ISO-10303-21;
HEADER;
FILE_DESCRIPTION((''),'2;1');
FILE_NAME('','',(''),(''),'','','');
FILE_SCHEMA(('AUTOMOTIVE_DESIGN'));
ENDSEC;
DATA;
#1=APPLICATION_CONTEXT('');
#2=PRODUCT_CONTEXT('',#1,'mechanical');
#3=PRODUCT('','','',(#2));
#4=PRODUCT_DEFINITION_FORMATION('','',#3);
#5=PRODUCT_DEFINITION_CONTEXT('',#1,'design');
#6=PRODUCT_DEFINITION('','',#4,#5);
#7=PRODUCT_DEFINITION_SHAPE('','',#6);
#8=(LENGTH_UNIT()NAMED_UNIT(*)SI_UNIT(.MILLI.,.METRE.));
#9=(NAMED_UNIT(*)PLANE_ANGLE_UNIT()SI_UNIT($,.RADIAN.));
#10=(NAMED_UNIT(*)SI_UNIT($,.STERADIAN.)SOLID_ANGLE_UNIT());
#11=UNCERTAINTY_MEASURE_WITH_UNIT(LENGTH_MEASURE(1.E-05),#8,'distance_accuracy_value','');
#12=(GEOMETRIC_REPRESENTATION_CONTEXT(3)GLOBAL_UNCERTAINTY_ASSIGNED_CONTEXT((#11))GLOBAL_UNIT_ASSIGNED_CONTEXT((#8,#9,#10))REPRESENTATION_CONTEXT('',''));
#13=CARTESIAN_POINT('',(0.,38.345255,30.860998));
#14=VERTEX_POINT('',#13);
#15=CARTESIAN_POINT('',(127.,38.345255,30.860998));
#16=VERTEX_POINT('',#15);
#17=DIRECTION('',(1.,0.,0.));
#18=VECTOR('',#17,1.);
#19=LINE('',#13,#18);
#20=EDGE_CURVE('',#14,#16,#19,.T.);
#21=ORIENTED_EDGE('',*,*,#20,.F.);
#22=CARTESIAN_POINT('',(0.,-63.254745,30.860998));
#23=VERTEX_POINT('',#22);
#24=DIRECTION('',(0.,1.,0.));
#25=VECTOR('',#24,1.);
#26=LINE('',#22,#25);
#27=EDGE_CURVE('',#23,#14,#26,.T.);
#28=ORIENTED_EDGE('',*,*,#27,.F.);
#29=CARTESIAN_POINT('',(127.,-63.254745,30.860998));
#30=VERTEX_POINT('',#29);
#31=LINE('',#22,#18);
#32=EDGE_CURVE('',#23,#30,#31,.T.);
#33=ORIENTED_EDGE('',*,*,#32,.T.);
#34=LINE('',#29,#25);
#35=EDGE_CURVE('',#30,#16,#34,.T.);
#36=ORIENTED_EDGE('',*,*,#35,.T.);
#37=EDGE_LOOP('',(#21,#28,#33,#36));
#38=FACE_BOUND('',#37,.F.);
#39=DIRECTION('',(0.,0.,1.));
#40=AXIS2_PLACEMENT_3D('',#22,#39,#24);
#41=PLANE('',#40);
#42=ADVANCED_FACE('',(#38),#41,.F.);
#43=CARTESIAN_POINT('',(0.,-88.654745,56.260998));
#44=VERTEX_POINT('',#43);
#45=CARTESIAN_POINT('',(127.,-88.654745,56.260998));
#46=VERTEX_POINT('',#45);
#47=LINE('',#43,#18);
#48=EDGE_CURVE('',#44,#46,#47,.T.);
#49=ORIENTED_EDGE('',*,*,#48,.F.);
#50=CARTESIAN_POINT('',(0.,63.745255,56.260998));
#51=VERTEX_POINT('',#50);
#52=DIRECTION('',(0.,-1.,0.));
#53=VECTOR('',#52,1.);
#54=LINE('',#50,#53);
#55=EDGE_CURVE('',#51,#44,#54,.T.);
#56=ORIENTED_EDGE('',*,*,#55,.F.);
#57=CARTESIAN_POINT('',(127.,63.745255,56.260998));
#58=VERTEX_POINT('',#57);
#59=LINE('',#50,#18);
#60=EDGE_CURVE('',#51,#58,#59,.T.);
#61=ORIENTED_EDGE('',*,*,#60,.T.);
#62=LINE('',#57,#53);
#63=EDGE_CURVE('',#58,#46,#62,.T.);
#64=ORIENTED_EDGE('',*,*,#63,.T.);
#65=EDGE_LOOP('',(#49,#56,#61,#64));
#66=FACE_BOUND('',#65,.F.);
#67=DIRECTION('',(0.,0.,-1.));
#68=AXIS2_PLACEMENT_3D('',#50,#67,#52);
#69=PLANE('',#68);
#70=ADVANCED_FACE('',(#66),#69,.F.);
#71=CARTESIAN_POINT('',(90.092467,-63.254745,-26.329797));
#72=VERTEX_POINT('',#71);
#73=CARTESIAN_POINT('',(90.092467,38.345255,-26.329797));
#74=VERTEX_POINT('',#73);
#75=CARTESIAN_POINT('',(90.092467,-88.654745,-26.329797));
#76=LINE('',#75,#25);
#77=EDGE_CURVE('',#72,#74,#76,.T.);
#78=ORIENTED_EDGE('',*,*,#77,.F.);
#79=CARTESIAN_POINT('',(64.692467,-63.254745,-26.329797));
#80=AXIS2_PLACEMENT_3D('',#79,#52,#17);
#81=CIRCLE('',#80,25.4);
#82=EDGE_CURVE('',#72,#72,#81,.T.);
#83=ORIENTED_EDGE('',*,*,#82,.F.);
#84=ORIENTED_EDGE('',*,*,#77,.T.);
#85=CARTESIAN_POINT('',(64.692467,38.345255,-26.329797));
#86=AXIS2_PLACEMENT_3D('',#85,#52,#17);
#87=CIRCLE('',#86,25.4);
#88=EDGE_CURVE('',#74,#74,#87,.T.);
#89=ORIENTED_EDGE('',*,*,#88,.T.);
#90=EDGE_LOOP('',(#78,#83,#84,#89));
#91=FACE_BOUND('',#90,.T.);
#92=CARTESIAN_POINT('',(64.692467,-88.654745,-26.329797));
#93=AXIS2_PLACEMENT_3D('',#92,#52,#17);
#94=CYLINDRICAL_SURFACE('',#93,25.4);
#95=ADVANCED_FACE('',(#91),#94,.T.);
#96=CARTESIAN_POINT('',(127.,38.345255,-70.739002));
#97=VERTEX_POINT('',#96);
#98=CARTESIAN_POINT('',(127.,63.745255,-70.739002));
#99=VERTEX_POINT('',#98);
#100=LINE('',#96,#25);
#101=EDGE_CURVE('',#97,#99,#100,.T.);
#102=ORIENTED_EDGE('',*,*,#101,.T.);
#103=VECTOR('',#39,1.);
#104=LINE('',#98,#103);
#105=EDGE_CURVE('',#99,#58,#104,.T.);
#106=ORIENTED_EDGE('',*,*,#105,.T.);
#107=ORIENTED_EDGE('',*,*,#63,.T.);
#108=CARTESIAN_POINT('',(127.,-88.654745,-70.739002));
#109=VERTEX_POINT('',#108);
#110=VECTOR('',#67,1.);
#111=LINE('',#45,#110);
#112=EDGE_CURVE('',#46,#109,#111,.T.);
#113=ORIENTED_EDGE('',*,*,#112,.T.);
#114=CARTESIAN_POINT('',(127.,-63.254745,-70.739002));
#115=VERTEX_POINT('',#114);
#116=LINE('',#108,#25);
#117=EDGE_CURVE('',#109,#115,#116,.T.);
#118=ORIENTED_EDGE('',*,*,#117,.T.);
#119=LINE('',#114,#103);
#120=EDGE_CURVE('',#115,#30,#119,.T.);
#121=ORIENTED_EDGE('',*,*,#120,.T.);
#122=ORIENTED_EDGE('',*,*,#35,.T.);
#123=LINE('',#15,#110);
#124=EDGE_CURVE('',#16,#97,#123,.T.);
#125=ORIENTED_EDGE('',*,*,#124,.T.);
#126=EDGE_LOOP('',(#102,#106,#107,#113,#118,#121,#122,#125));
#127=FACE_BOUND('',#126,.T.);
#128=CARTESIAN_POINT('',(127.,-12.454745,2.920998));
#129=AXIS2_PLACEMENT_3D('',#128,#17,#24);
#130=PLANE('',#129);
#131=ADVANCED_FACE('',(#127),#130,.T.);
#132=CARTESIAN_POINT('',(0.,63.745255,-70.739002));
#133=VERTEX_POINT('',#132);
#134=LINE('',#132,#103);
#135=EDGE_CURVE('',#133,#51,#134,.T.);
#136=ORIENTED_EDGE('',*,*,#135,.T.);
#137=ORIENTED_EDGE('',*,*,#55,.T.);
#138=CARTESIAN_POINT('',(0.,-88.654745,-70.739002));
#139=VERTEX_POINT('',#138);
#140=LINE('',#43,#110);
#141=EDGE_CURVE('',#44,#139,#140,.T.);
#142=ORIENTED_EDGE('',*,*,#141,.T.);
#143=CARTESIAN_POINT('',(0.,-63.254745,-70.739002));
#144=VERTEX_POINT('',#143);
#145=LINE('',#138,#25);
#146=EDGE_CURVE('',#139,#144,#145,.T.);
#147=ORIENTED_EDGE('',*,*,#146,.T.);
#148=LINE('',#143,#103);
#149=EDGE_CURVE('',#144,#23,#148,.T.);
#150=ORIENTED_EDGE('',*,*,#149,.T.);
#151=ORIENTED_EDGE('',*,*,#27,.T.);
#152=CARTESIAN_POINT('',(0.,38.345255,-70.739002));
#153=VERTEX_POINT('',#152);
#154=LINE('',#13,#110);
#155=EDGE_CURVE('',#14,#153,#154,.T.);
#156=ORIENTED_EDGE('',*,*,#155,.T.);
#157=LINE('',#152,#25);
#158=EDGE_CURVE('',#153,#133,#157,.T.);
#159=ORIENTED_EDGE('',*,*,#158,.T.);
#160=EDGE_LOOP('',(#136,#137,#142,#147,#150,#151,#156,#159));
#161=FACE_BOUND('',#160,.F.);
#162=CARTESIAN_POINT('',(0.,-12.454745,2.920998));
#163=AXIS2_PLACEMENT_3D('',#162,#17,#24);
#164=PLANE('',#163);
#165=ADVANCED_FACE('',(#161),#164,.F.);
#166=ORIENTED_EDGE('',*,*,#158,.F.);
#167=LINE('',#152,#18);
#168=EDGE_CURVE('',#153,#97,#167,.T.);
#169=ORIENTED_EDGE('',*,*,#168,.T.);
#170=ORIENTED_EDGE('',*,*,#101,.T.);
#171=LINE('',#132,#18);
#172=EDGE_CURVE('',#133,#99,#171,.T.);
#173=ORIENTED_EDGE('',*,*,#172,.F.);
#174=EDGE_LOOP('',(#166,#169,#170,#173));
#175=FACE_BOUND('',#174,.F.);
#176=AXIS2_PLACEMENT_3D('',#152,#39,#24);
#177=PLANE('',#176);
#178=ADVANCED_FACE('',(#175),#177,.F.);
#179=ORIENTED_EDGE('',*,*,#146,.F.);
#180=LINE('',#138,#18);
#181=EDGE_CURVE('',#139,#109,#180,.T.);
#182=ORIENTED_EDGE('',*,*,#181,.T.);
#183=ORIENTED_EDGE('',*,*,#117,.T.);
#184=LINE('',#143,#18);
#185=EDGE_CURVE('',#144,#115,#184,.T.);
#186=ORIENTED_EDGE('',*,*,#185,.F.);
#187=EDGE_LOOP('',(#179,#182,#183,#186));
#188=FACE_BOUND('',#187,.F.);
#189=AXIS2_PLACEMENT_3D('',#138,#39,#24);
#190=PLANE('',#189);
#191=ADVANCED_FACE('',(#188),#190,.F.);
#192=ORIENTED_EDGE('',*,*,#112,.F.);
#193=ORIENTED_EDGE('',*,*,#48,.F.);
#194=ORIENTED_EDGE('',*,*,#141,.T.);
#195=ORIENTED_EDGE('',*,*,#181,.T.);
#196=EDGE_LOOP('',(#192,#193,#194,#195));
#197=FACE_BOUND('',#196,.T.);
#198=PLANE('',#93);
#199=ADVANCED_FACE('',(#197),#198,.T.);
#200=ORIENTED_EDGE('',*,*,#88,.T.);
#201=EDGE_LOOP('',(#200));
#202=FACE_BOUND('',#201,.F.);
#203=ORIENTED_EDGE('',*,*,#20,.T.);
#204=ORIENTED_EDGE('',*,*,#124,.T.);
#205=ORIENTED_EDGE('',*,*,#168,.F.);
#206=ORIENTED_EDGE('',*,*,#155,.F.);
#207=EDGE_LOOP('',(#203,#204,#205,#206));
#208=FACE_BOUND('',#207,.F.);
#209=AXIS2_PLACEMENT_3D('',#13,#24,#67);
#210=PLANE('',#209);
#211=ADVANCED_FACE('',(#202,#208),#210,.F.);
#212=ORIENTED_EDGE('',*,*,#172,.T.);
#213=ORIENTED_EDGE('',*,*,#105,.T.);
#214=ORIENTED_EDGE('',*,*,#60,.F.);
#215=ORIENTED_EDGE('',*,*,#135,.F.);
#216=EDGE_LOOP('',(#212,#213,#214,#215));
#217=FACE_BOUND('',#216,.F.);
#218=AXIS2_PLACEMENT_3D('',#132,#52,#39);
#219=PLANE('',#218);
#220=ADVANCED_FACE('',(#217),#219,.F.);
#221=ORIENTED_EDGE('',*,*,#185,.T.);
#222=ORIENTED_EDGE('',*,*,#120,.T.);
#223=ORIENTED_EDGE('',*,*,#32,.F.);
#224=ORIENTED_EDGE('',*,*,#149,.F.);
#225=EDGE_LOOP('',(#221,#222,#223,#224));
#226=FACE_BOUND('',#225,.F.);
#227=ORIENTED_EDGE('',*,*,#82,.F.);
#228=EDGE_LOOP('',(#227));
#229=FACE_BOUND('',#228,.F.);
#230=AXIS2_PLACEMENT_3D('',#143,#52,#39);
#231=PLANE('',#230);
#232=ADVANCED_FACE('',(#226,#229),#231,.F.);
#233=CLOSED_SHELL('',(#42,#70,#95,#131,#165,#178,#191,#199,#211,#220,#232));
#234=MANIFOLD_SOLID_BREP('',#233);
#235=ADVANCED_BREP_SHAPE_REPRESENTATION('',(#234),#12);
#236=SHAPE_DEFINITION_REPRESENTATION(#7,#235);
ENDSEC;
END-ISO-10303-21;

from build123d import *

# Parameters (mm, degrees)
F1_DEPTH = 127
F2_R     = 25.4
F3_DEPTH = 152.4


with BuildPart() as f1:
    # F0 (on Right) → F1 (new body)
    with BuildSketch(Plane.YZ):
        Polygon((63.745255, 56.260998), (-88.654745, 56.260998), (-88.654745, -70.739002), (-63.254745, -70.739002), (-63.254745, 30.860998), (38.345255, 30.860998), (38.345255, -70.739002), (63.745255, -70.739002), align=None)
    extrude(amount=F1_DEPTH)

    # F2 (on face) → F3 (join)
    with BuildSketch(Plane.XZ.offset(88.654745)):
        with Locations((64.692467, -26.329797)):
            Circle(F2_R)
    extrude(amount=-F3_DEPTH)


solid = f1.part
